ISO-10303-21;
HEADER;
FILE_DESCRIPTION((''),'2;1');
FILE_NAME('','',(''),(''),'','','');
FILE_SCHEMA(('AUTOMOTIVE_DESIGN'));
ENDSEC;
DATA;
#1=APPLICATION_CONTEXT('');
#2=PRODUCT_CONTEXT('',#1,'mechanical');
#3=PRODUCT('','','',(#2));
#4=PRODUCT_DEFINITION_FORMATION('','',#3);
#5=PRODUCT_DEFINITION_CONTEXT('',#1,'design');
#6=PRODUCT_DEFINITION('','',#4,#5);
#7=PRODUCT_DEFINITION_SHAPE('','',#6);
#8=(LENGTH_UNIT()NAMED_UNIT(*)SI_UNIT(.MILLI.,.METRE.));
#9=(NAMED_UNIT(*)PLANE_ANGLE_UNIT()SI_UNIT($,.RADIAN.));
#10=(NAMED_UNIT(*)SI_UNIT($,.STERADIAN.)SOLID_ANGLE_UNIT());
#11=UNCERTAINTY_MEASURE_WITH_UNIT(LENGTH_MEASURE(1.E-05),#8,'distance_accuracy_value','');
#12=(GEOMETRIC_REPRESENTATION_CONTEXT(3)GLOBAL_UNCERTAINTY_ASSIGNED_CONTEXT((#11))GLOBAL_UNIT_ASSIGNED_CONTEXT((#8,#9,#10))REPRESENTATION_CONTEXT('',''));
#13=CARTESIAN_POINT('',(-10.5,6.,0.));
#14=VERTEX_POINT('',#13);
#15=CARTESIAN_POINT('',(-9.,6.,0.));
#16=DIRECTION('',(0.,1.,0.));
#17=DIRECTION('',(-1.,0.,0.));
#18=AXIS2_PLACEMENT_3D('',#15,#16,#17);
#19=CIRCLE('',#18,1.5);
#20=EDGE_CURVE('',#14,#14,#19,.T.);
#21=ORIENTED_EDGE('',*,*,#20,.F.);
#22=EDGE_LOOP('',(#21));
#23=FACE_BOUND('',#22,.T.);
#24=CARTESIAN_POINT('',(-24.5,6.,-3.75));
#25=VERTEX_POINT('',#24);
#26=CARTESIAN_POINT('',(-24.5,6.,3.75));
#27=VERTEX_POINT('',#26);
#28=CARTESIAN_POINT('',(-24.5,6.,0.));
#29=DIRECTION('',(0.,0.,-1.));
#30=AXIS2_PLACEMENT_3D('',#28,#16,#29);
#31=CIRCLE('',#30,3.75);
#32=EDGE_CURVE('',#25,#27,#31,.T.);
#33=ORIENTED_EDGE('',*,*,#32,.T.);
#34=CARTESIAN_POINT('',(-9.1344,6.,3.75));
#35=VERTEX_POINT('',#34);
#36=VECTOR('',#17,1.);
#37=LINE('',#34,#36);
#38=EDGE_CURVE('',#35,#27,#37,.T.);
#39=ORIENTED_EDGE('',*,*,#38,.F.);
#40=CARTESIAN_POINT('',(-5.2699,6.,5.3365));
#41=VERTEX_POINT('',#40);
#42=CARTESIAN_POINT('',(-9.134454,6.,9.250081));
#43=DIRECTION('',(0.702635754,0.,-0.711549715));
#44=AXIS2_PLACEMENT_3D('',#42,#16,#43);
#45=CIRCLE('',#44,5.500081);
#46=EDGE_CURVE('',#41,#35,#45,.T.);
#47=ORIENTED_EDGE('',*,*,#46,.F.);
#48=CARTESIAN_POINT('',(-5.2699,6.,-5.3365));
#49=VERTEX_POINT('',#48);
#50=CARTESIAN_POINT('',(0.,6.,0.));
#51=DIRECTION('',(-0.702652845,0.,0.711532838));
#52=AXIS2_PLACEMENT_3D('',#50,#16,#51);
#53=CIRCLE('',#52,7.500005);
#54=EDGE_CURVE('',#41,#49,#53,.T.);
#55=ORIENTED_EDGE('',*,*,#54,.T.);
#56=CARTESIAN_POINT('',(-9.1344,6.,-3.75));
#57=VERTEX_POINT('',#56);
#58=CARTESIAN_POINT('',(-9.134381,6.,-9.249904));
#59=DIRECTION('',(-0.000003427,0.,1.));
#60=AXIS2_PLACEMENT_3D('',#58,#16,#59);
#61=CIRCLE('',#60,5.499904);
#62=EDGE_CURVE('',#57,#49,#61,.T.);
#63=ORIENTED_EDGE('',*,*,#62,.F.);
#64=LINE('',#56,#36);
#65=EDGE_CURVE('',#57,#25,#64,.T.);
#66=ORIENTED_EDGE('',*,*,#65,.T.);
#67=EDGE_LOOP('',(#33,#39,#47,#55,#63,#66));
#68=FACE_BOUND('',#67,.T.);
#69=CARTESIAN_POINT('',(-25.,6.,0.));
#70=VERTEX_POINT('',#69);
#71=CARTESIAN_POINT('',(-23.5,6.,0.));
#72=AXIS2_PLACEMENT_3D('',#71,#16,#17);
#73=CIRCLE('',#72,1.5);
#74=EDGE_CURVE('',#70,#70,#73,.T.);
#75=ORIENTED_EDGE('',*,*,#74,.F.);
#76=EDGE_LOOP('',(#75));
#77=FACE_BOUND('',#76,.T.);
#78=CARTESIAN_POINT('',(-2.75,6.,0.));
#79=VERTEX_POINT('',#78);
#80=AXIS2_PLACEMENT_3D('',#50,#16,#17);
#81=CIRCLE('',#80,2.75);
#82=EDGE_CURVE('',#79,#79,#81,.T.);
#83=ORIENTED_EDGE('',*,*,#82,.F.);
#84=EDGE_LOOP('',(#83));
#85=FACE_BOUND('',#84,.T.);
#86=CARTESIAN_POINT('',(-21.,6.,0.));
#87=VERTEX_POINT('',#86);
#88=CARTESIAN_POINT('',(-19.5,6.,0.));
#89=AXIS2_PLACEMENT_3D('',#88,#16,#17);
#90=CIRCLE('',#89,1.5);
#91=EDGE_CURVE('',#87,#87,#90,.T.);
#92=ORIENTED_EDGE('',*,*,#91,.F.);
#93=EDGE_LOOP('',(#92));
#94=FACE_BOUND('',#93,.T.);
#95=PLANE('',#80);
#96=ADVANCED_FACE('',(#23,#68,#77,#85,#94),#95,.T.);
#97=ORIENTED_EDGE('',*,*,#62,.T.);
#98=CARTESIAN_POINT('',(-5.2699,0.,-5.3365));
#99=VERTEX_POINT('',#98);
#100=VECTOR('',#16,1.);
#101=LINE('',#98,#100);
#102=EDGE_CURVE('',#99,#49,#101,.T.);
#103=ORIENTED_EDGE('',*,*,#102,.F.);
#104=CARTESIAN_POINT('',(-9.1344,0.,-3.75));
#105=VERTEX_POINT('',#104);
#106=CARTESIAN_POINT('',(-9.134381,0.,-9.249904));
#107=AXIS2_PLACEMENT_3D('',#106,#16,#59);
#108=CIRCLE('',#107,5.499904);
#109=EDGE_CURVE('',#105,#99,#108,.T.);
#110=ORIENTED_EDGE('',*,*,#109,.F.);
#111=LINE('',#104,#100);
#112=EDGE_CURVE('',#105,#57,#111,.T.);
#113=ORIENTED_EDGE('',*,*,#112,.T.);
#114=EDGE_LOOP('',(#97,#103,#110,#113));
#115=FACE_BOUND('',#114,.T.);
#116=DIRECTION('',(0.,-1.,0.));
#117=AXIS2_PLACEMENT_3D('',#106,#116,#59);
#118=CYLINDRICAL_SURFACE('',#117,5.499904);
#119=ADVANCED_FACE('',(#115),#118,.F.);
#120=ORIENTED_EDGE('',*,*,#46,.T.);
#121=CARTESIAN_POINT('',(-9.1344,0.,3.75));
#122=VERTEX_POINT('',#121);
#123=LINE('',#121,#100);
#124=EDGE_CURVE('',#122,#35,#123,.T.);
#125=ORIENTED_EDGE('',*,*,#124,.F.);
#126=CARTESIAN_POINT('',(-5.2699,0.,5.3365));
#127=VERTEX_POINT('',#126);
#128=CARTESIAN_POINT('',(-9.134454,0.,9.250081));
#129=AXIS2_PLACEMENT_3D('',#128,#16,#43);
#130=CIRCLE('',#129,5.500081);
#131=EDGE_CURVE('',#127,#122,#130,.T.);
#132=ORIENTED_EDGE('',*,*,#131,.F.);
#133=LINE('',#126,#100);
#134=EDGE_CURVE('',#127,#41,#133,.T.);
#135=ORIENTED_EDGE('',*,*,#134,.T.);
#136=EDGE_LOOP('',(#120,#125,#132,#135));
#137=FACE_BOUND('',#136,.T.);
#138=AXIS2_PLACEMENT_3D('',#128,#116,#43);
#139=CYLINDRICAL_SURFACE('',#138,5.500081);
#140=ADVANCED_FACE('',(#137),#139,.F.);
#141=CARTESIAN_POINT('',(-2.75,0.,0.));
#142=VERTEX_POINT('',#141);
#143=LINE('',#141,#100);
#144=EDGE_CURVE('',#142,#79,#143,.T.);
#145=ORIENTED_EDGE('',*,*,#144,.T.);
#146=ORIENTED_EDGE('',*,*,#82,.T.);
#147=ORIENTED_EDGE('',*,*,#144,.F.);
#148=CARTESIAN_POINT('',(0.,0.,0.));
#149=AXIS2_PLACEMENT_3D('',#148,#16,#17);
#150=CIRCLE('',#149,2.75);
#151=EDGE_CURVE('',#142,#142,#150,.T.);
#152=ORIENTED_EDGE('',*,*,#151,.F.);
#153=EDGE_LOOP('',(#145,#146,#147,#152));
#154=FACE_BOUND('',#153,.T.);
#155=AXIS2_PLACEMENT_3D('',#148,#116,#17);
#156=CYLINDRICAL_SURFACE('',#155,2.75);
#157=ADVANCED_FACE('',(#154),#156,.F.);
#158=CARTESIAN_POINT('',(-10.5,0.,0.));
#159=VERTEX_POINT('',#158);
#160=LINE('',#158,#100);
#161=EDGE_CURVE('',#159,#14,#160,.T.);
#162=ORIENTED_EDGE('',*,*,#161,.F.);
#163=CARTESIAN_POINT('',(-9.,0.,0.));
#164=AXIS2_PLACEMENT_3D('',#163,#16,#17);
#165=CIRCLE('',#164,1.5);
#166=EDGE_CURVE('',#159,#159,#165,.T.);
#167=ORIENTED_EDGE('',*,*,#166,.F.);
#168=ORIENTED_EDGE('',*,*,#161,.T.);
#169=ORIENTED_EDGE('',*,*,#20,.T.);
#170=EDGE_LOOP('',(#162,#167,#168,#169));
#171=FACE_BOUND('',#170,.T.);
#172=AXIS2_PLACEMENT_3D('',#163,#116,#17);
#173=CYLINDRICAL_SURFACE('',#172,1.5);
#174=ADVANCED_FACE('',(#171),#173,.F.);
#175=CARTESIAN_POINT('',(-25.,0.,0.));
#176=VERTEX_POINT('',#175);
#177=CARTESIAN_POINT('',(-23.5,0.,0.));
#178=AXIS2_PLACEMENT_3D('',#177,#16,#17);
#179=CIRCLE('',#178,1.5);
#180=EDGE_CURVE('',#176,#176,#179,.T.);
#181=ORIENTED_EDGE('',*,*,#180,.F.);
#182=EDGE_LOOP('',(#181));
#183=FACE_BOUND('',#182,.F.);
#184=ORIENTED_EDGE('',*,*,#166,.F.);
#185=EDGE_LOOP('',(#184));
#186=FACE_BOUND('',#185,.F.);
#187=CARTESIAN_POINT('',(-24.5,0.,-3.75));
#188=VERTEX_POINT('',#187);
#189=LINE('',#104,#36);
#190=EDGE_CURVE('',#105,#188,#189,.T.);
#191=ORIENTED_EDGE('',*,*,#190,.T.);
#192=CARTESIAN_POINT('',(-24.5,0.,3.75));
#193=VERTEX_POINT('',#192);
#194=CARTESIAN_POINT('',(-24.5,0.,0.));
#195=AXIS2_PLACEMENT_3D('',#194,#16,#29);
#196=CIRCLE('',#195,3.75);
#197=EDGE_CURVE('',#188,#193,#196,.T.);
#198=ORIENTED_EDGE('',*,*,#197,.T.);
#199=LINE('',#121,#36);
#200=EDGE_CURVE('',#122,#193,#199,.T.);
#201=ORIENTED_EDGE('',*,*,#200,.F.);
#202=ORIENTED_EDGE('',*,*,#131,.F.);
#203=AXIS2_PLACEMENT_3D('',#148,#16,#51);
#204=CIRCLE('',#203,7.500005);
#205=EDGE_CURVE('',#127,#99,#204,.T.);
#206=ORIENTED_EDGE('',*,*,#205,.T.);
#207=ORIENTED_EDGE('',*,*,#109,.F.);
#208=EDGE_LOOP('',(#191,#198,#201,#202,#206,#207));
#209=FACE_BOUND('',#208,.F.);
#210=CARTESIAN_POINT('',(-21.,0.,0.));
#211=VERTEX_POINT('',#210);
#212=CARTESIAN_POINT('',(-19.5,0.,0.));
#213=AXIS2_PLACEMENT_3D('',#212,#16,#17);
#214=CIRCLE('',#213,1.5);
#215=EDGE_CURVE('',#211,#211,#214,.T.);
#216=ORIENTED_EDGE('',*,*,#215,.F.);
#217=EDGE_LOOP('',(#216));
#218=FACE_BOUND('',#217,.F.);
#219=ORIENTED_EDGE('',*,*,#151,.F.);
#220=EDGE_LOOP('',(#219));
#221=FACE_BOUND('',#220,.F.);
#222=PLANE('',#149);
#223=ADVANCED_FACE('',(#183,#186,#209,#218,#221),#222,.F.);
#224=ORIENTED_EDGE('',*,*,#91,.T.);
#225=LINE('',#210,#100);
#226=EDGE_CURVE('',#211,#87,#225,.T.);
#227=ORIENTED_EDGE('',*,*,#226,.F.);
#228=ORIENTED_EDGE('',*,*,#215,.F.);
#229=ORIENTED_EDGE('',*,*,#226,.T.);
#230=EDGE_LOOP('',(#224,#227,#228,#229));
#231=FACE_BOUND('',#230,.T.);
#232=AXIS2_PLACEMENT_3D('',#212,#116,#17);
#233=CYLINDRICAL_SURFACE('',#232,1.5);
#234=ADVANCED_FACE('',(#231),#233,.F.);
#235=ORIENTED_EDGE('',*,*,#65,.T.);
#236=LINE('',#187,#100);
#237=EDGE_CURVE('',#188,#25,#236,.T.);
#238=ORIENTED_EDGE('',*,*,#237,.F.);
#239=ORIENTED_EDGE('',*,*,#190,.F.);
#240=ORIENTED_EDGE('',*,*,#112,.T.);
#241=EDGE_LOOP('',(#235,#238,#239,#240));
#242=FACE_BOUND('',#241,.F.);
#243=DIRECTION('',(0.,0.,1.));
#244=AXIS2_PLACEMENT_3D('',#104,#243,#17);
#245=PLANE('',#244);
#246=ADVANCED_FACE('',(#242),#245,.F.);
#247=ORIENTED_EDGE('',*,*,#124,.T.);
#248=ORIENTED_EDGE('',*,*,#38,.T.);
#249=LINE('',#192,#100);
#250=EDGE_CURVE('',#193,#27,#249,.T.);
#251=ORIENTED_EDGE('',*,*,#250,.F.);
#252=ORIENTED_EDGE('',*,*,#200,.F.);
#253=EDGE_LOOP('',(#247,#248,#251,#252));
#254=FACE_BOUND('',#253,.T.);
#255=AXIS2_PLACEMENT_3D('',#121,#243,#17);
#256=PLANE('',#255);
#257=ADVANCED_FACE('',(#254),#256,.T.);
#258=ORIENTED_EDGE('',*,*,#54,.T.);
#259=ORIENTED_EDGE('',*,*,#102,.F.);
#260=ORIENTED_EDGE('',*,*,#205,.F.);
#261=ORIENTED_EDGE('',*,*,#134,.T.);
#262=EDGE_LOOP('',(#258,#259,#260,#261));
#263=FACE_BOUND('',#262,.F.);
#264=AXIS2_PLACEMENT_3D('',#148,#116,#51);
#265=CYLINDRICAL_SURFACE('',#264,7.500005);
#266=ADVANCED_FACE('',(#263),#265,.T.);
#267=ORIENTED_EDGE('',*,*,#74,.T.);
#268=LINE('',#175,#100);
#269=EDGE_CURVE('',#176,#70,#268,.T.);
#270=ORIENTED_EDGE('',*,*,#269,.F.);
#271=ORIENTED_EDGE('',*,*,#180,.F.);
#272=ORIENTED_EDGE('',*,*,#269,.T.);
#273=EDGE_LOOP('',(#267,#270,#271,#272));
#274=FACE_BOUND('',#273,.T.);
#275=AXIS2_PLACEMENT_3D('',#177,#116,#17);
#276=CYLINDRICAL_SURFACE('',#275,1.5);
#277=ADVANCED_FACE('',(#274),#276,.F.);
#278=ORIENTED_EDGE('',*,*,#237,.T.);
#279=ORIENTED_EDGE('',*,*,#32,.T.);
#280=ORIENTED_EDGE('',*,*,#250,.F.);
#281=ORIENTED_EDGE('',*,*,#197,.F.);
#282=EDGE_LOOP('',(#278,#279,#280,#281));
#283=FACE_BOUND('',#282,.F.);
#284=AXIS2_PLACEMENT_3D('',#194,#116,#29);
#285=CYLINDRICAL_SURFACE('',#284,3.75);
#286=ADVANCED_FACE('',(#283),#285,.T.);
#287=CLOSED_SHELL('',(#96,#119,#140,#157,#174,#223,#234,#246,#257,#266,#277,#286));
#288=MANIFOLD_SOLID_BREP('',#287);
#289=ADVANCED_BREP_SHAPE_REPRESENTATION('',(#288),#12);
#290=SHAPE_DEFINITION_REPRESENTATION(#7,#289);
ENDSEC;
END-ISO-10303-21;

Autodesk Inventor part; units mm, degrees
ref_plane "YZ Plane" through (0, 0, 0) normal (1, 0, 0) x (0, 1, 0)
ref_plane "XZ Plane" through (0, 0, 0) normal (0, 1, 0) x (-1, 0, 0)
ref_plane "XY Plane" through (0, 0, 0) normal (0, 0, 1) x (1, 0, 0)
sketch "Sketch1" plane through (0, 0, 0) normal (0, 1, 0) x (-1, 0, 0)
  arc A0 (5.2699, 5.3365) -> (5.2699, -5.3365) centre (0, 0) ccw
  arc A1 (24.5, -3.75) -> (24.5, 3.75) centre (24.5, 0) ccw
  arc A2 (5.2699, 5.3365) -> (9.1344, 3.75) centre (9.1344, 9.25) ccw
  arc A3 (9.1344, -3.75) -> (5.2699, -5.3365) centre (9.1344, -9.25) ccw
  line L0 (9.1344, 3.75) -> (24.5, 3.75)
  line L1 (9.1344, -3.75) -> (24.5, -3.75)
  line L2 (0, 0) -> (39, 0) construction
  circle A4 centre (0, 0) radius 2.75
  circle A5 centre (9, 0) radius 1.5
  circle A6 centre (23.5, 0) radius 1.5
  circle A7 centre (19.5, 0) radius 1.5
  dimension "d0" = 15
  dimension "d1" = 7.5
  dimension "d2" = 24.5
  dimension "d3" = 7.5
  dimension "d4" = 11
  dimension "d5" = 11
  dimension "d6" = 0
  dimension "d7" = 3.75
  dimension "d8" = 5.5
  dimension "d9" = 3
  dimension "d10" = 3
  dimension "d11" = 3
  dimension "d12" = 9
  dimension "d13" = 10.5
  dimension "d14" = 4
extrude "Extrusion1" add sketch "Sketch1" along normal blind 6
equation "\"d5\" = d4"
properties part number "adaptator_25"
